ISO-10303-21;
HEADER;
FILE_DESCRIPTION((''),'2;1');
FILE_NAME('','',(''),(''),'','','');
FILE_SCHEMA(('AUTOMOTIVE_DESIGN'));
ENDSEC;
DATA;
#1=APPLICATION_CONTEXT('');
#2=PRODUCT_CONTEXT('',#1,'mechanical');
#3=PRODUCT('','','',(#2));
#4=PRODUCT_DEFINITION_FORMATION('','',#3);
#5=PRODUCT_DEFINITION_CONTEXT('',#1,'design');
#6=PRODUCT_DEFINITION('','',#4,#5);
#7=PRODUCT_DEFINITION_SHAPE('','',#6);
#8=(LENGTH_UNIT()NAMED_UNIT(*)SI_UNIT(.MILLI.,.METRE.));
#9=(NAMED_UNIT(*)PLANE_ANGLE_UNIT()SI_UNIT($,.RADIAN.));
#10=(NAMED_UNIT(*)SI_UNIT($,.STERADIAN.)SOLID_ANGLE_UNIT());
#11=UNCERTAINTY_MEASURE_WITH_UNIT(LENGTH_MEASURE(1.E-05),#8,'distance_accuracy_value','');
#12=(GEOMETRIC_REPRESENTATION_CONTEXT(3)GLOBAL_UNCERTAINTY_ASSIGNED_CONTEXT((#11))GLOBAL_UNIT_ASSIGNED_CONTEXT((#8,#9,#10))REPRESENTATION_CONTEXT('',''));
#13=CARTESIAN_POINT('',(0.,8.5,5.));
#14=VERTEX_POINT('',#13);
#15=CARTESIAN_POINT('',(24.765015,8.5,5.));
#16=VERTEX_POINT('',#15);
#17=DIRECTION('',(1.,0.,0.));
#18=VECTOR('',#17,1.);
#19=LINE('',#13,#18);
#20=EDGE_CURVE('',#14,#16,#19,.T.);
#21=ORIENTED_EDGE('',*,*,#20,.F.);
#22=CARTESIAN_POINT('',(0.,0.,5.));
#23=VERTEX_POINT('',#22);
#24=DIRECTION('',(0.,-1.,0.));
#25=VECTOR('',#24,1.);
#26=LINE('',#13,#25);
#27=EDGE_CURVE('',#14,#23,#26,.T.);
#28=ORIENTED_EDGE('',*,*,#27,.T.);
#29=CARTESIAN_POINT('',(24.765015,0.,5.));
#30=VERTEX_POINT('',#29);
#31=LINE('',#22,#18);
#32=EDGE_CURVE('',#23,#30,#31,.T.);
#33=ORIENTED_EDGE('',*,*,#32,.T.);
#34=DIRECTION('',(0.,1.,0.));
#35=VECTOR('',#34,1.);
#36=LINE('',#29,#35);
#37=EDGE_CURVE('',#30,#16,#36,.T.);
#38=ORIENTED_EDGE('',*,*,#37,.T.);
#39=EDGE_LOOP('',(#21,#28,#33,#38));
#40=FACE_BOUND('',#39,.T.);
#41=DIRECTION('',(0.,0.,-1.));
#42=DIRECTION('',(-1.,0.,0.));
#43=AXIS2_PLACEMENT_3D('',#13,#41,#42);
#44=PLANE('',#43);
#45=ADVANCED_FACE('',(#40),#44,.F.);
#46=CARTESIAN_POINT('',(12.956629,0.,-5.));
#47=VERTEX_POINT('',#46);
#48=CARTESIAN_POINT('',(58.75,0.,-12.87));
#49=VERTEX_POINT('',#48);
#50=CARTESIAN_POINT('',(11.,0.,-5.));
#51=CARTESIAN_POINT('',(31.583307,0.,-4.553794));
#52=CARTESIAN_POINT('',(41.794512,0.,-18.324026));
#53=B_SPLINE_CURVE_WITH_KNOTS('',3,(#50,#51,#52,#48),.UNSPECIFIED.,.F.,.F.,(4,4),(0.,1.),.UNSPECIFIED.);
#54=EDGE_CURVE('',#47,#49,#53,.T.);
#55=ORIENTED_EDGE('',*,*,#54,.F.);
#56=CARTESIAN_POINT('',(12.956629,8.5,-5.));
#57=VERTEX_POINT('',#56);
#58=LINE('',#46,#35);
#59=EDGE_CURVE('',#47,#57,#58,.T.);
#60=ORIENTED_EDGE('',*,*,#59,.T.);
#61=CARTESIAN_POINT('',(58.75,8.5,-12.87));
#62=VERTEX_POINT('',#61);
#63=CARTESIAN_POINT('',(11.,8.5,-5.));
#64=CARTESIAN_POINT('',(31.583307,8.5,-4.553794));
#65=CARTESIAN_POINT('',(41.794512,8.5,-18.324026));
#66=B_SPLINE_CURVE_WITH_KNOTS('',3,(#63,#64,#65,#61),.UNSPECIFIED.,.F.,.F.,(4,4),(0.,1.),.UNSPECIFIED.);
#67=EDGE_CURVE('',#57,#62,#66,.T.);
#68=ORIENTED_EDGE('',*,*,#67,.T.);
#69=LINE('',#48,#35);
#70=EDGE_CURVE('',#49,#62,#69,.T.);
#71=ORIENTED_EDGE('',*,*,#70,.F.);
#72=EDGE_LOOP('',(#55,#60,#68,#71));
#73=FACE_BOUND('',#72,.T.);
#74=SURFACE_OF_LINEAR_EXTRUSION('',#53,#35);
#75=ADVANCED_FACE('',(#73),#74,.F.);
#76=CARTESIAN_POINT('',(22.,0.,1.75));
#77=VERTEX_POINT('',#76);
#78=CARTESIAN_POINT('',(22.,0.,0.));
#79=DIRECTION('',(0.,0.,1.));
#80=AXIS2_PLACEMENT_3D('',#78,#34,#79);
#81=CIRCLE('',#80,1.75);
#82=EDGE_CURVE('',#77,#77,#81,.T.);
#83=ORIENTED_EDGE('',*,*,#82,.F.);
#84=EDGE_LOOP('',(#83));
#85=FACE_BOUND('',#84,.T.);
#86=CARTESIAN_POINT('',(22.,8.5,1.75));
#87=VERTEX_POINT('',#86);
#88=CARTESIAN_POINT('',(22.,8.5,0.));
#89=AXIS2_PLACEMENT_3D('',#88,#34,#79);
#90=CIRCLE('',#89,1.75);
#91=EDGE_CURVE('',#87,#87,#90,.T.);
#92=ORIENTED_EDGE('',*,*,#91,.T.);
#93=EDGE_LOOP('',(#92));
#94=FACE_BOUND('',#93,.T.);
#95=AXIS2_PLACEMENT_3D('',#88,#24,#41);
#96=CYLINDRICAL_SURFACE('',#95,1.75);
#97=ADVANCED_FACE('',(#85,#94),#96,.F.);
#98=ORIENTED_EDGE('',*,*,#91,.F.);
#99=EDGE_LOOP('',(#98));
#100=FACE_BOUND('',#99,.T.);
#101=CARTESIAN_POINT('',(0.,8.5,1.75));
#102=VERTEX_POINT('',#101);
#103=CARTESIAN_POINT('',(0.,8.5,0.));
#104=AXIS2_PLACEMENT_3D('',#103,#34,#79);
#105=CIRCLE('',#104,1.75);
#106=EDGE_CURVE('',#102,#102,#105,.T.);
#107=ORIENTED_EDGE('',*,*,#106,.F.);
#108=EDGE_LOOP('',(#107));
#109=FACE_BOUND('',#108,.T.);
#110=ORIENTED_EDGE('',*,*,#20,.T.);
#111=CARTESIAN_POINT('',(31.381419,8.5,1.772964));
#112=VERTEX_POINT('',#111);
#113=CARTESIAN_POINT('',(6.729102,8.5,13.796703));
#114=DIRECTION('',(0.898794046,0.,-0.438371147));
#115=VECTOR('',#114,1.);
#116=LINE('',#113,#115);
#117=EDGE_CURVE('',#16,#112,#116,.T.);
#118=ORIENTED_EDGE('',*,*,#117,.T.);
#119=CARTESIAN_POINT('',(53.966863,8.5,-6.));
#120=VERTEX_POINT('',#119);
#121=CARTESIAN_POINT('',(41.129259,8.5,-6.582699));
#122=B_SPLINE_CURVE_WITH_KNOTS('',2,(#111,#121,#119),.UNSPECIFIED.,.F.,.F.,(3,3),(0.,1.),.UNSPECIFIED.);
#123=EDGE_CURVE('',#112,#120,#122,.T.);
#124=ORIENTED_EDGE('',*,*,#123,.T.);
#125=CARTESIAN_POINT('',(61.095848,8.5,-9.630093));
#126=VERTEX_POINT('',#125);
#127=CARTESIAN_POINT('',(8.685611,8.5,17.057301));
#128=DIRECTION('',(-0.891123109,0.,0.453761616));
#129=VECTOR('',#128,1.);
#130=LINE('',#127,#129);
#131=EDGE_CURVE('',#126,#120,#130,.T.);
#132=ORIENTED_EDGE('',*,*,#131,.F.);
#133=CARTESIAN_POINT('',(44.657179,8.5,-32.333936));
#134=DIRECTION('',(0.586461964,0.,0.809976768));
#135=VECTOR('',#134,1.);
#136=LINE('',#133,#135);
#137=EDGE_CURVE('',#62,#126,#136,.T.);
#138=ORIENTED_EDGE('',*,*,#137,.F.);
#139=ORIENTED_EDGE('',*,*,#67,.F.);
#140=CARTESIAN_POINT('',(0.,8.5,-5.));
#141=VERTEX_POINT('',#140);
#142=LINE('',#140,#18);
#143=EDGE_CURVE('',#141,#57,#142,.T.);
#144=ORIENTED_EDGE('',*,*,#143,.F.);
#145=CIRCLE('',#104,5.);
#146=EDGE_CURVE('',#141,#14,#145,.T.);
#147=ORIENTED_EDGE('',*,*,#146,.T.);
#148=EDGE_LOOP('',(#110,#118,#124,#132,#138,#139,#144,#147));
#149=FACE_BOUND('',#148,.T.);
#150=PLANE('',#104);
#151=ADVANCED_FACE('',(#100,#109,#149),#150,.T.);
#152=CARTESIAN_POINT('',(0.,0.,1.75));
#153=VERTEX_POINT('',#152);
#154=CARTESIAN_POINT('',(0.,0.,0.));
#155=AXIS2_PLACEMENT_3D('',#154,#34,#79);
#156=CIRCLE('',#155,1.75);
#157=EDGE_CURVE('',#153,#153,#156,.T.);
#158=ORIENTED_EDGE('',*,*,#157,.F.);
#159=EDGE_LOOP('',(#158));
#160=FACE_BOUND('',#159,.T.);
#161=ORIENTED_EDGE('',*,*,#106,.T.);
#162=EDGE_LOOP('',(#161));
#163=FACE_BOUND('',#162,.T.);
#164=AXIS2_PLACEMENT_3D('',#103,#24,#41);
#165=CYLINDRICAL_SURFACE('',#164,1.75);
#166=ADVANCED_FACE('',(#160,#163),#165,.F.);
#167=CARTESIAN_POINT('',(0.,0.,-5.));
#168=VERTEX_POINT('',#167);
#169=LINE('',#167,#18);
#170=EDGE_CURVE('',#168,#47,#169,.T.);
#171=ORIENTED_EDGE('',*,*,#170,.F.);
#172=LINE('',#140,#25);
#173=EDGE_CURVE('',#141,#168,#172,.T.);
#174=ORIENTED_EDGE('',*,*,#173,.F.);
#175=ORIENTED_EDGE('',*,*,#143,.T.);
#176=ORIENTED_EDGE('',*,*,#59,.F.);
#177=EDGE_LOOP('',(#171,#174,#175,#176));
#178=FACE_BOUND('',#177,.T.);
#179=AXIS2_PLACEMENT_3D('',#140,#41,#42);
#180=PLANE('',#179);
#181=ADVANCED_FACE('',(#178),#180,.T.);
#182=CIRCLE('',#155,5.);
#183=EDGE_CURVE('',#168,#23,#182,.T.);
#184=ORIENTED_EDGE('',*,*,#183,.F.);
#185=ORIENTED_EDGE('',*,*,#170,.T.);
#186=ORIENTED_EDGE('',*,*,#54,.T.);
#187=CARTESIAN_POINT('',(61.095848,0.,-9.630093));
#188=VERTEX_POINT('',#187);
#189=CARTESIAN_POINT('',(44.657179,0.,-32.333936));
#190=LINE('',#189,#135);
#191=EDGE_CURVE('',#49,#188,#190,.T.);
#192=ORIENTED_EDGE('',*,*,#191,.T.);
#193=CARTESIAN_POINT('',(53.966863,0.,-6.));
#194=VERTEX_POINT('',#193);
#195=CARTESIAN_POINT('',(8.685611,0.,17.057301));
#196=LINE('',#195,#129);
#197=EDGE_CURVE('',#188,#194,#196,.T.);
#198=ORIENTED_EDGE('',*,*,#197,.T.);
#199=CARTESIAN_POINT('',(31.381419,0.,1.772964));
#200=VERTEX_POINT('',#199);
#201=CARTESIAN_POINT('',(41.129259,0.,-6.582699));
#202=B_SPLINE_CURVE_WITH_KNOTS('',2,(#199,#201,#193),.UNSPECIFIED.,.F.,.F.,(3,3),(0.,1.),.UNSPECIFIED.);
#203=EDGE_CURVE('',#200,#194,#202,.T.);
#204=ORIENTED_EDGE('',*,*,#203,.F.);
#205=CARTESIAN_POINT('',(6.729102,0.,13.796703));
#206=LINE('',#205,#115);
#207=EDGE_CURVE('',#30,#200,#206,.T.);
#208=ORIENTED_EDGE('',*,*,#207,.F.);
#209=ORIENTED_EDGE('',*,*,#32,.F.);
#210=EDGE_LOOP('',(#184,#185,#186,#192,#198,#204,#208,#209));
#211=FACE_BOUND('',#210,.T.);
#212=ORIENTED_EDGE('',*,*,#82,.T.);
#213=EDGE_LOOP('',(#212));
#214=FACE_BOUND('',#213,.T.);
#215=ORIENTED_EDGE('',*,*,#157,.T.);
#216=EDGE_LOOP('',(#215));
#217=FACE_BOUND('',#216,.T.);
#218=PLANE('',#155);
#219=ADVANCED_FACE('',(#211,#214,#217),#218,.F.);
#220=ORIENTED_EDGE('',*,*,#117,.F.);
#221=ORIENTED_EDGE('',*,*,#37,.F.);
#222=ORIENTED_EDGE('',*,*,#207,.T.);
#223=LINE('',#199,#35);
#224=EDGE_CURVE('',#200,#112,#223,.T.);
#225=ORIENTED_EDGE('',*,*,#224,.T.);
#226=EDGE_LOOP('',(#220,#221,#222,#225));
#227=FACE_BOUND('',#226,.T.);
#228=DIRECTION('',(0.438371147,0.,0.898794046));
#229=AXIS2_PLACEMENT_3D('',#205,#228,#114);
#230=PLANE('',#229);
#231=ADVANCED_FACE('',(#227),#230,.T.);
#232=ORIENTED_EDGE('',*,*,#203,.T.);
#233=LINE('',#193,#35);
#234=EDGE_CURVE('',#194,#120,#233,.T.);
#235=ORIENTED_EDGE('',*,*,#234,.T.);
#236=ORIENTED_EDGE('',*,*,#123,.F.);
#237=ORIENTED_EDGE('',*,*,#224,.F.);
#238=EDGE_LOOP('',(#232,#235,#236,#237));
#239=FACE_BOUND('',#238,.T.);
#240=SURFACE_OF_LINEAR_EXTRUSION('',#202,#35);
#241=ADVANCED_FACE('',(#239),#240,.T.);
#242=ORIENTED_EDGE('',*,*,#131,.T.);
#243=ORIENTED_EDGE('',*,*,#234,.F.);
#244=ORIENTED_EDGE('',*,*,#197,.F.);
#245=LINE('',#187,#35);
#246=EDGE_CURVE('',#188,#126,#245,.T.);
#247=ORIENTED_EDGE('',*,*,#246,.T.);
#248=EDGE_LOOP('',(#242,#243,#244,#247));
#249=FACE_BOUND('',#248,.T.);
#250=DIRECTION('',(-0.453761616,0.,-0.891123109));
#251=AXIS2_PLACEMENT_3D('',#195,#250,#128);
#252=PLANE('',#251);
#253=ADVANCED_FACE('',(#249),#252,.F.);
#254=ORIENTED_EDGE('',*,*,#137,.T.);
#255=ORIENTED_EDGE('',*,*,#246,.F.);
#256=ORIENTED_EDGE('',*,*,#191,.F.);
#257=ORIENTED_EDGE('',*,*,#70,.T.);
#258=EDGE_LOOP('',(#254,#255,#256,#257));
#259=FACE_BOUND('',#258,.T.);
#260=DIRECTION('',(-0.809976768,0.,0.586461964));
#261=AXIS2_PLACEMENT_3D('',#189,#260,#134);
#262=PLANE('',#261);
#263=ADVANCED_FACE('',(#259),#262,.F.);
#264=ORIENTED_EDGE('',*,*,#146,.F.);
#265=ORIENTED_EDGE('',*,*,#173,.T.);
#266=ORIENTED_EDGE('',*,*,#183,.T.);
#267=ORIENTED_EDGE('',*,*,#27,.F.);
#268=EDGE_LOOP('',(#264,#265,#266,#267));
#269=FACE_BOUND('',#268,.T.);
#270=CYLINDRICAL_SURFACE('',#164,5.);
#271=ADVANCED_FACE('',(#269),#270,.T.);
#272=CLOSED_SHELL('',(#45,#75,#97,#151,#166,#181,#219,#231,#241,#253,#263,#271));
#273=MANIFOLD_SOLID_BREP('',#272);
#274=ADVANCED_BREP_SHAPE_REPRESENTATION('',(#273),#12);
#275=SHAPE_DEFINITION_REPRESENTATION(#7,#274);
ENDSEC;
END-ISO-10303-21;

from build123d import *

# Parameters (mm, degrees)
SKETCH2_R           = 5
SKETCH2_R_2         = 1.75
BOSS_EXTRUDE1_DEPTH = 8.5
BOSS_EXTRUDE2_START = -8.5
BOSS_EXTRUDE2_DEPTH = 8.5


with BuildPart() as part:
    # Sketch2 → Boss-Extrude1 (new body)
    # profile 1 of 3: a face of its own
    with BuildSketch(Plane(origin=(0, 0, 0), x_dir=(1, 0, 0), z_dir=(0, 1, 0))):
        Circle(SKETCH2_R)
        with Locations(Location((0, 0, 0), (0, 0, 270))):
            Circle(SKETCH2_R_2, mode=Mode.SUBTRACT)
    # profile 2 of 3: a face of its own
    with BuildSketch(Plane(origin=(0, 0, 0), x_dir=(1, 0, 0), z_dir=(0, 1, 0))):
        with BuildLine():
            Line((22, 5), (0, 5))
            ThreePointArc((0, 5), (3.535533906, 3.535533906), (5, 0))
            ThreePointArc((5, 0), (3.535533906, -3.535533906), (0, -5))
            Line((0, -5), (22, -5))
            ThreePointArc((22, -5), (17, 0), (22, 5))
        make_face()
    # profile 3 of 3: a face of its own
    with BuildSketch(Plane(origin=(0, 0, 0), x_dir=(1, 0, 0), z_dir=(0, 1, 0))):
        with Locations((22, 0)):
            Circle(SKETCH2_R)
        with Locations(Location((22, 0, 0), (0, 0, 270))):
            Circle(SKETCH2_R_2, mode=Mode.SUBTRACT)
    extrude(amount=BOSS_EXTRUDE1_DEPTH)

    # Sketch3 → Boss-Extrude2 (add)
    with BuildSketch(Plane(origin=(0, 8.5, 0), x_dir=(1, 0, 0), z_dir=(0, 1, 0)).offset(BOSS_EXTRUDE2_START)):
        with BuildLine():
            ThreePointArc((22, 5), (27, 0), (22, -5))
            Line((22, -5), (24.765014751, -5))
            Line((24.765014751, -5), (31.381419164, -1.772963949))
            add(Edge.make_bspline(
                [(31.381419164, -1.772963949), (41.129259451, 6.582699459), (53.966862985, 6)],
                knots=[0, 0, 0, 1, 1, 1], degree=2))
            Line((53.966862985, 6), (61.095847858, 9.630092929))
            Line((61.095847858, 9.630092929), (58.75, 12.87))
            add(Edge.make_bspline(
                [(12.956629398, 5), (32.247892428, 5.420652932), (42.340471259, 18.148408487), (58.75, 12.87)],
                knots=[0.03219955, 0.03219955, 0.03219955, 0.03219955, 1, 1, 1, 1], degree=3))
            Line((12.956629398, 5), (22, 5))
        make_face()
    extrude(amount=BOSS_EXTRUDE2_DEPTH)


solid = part.part
